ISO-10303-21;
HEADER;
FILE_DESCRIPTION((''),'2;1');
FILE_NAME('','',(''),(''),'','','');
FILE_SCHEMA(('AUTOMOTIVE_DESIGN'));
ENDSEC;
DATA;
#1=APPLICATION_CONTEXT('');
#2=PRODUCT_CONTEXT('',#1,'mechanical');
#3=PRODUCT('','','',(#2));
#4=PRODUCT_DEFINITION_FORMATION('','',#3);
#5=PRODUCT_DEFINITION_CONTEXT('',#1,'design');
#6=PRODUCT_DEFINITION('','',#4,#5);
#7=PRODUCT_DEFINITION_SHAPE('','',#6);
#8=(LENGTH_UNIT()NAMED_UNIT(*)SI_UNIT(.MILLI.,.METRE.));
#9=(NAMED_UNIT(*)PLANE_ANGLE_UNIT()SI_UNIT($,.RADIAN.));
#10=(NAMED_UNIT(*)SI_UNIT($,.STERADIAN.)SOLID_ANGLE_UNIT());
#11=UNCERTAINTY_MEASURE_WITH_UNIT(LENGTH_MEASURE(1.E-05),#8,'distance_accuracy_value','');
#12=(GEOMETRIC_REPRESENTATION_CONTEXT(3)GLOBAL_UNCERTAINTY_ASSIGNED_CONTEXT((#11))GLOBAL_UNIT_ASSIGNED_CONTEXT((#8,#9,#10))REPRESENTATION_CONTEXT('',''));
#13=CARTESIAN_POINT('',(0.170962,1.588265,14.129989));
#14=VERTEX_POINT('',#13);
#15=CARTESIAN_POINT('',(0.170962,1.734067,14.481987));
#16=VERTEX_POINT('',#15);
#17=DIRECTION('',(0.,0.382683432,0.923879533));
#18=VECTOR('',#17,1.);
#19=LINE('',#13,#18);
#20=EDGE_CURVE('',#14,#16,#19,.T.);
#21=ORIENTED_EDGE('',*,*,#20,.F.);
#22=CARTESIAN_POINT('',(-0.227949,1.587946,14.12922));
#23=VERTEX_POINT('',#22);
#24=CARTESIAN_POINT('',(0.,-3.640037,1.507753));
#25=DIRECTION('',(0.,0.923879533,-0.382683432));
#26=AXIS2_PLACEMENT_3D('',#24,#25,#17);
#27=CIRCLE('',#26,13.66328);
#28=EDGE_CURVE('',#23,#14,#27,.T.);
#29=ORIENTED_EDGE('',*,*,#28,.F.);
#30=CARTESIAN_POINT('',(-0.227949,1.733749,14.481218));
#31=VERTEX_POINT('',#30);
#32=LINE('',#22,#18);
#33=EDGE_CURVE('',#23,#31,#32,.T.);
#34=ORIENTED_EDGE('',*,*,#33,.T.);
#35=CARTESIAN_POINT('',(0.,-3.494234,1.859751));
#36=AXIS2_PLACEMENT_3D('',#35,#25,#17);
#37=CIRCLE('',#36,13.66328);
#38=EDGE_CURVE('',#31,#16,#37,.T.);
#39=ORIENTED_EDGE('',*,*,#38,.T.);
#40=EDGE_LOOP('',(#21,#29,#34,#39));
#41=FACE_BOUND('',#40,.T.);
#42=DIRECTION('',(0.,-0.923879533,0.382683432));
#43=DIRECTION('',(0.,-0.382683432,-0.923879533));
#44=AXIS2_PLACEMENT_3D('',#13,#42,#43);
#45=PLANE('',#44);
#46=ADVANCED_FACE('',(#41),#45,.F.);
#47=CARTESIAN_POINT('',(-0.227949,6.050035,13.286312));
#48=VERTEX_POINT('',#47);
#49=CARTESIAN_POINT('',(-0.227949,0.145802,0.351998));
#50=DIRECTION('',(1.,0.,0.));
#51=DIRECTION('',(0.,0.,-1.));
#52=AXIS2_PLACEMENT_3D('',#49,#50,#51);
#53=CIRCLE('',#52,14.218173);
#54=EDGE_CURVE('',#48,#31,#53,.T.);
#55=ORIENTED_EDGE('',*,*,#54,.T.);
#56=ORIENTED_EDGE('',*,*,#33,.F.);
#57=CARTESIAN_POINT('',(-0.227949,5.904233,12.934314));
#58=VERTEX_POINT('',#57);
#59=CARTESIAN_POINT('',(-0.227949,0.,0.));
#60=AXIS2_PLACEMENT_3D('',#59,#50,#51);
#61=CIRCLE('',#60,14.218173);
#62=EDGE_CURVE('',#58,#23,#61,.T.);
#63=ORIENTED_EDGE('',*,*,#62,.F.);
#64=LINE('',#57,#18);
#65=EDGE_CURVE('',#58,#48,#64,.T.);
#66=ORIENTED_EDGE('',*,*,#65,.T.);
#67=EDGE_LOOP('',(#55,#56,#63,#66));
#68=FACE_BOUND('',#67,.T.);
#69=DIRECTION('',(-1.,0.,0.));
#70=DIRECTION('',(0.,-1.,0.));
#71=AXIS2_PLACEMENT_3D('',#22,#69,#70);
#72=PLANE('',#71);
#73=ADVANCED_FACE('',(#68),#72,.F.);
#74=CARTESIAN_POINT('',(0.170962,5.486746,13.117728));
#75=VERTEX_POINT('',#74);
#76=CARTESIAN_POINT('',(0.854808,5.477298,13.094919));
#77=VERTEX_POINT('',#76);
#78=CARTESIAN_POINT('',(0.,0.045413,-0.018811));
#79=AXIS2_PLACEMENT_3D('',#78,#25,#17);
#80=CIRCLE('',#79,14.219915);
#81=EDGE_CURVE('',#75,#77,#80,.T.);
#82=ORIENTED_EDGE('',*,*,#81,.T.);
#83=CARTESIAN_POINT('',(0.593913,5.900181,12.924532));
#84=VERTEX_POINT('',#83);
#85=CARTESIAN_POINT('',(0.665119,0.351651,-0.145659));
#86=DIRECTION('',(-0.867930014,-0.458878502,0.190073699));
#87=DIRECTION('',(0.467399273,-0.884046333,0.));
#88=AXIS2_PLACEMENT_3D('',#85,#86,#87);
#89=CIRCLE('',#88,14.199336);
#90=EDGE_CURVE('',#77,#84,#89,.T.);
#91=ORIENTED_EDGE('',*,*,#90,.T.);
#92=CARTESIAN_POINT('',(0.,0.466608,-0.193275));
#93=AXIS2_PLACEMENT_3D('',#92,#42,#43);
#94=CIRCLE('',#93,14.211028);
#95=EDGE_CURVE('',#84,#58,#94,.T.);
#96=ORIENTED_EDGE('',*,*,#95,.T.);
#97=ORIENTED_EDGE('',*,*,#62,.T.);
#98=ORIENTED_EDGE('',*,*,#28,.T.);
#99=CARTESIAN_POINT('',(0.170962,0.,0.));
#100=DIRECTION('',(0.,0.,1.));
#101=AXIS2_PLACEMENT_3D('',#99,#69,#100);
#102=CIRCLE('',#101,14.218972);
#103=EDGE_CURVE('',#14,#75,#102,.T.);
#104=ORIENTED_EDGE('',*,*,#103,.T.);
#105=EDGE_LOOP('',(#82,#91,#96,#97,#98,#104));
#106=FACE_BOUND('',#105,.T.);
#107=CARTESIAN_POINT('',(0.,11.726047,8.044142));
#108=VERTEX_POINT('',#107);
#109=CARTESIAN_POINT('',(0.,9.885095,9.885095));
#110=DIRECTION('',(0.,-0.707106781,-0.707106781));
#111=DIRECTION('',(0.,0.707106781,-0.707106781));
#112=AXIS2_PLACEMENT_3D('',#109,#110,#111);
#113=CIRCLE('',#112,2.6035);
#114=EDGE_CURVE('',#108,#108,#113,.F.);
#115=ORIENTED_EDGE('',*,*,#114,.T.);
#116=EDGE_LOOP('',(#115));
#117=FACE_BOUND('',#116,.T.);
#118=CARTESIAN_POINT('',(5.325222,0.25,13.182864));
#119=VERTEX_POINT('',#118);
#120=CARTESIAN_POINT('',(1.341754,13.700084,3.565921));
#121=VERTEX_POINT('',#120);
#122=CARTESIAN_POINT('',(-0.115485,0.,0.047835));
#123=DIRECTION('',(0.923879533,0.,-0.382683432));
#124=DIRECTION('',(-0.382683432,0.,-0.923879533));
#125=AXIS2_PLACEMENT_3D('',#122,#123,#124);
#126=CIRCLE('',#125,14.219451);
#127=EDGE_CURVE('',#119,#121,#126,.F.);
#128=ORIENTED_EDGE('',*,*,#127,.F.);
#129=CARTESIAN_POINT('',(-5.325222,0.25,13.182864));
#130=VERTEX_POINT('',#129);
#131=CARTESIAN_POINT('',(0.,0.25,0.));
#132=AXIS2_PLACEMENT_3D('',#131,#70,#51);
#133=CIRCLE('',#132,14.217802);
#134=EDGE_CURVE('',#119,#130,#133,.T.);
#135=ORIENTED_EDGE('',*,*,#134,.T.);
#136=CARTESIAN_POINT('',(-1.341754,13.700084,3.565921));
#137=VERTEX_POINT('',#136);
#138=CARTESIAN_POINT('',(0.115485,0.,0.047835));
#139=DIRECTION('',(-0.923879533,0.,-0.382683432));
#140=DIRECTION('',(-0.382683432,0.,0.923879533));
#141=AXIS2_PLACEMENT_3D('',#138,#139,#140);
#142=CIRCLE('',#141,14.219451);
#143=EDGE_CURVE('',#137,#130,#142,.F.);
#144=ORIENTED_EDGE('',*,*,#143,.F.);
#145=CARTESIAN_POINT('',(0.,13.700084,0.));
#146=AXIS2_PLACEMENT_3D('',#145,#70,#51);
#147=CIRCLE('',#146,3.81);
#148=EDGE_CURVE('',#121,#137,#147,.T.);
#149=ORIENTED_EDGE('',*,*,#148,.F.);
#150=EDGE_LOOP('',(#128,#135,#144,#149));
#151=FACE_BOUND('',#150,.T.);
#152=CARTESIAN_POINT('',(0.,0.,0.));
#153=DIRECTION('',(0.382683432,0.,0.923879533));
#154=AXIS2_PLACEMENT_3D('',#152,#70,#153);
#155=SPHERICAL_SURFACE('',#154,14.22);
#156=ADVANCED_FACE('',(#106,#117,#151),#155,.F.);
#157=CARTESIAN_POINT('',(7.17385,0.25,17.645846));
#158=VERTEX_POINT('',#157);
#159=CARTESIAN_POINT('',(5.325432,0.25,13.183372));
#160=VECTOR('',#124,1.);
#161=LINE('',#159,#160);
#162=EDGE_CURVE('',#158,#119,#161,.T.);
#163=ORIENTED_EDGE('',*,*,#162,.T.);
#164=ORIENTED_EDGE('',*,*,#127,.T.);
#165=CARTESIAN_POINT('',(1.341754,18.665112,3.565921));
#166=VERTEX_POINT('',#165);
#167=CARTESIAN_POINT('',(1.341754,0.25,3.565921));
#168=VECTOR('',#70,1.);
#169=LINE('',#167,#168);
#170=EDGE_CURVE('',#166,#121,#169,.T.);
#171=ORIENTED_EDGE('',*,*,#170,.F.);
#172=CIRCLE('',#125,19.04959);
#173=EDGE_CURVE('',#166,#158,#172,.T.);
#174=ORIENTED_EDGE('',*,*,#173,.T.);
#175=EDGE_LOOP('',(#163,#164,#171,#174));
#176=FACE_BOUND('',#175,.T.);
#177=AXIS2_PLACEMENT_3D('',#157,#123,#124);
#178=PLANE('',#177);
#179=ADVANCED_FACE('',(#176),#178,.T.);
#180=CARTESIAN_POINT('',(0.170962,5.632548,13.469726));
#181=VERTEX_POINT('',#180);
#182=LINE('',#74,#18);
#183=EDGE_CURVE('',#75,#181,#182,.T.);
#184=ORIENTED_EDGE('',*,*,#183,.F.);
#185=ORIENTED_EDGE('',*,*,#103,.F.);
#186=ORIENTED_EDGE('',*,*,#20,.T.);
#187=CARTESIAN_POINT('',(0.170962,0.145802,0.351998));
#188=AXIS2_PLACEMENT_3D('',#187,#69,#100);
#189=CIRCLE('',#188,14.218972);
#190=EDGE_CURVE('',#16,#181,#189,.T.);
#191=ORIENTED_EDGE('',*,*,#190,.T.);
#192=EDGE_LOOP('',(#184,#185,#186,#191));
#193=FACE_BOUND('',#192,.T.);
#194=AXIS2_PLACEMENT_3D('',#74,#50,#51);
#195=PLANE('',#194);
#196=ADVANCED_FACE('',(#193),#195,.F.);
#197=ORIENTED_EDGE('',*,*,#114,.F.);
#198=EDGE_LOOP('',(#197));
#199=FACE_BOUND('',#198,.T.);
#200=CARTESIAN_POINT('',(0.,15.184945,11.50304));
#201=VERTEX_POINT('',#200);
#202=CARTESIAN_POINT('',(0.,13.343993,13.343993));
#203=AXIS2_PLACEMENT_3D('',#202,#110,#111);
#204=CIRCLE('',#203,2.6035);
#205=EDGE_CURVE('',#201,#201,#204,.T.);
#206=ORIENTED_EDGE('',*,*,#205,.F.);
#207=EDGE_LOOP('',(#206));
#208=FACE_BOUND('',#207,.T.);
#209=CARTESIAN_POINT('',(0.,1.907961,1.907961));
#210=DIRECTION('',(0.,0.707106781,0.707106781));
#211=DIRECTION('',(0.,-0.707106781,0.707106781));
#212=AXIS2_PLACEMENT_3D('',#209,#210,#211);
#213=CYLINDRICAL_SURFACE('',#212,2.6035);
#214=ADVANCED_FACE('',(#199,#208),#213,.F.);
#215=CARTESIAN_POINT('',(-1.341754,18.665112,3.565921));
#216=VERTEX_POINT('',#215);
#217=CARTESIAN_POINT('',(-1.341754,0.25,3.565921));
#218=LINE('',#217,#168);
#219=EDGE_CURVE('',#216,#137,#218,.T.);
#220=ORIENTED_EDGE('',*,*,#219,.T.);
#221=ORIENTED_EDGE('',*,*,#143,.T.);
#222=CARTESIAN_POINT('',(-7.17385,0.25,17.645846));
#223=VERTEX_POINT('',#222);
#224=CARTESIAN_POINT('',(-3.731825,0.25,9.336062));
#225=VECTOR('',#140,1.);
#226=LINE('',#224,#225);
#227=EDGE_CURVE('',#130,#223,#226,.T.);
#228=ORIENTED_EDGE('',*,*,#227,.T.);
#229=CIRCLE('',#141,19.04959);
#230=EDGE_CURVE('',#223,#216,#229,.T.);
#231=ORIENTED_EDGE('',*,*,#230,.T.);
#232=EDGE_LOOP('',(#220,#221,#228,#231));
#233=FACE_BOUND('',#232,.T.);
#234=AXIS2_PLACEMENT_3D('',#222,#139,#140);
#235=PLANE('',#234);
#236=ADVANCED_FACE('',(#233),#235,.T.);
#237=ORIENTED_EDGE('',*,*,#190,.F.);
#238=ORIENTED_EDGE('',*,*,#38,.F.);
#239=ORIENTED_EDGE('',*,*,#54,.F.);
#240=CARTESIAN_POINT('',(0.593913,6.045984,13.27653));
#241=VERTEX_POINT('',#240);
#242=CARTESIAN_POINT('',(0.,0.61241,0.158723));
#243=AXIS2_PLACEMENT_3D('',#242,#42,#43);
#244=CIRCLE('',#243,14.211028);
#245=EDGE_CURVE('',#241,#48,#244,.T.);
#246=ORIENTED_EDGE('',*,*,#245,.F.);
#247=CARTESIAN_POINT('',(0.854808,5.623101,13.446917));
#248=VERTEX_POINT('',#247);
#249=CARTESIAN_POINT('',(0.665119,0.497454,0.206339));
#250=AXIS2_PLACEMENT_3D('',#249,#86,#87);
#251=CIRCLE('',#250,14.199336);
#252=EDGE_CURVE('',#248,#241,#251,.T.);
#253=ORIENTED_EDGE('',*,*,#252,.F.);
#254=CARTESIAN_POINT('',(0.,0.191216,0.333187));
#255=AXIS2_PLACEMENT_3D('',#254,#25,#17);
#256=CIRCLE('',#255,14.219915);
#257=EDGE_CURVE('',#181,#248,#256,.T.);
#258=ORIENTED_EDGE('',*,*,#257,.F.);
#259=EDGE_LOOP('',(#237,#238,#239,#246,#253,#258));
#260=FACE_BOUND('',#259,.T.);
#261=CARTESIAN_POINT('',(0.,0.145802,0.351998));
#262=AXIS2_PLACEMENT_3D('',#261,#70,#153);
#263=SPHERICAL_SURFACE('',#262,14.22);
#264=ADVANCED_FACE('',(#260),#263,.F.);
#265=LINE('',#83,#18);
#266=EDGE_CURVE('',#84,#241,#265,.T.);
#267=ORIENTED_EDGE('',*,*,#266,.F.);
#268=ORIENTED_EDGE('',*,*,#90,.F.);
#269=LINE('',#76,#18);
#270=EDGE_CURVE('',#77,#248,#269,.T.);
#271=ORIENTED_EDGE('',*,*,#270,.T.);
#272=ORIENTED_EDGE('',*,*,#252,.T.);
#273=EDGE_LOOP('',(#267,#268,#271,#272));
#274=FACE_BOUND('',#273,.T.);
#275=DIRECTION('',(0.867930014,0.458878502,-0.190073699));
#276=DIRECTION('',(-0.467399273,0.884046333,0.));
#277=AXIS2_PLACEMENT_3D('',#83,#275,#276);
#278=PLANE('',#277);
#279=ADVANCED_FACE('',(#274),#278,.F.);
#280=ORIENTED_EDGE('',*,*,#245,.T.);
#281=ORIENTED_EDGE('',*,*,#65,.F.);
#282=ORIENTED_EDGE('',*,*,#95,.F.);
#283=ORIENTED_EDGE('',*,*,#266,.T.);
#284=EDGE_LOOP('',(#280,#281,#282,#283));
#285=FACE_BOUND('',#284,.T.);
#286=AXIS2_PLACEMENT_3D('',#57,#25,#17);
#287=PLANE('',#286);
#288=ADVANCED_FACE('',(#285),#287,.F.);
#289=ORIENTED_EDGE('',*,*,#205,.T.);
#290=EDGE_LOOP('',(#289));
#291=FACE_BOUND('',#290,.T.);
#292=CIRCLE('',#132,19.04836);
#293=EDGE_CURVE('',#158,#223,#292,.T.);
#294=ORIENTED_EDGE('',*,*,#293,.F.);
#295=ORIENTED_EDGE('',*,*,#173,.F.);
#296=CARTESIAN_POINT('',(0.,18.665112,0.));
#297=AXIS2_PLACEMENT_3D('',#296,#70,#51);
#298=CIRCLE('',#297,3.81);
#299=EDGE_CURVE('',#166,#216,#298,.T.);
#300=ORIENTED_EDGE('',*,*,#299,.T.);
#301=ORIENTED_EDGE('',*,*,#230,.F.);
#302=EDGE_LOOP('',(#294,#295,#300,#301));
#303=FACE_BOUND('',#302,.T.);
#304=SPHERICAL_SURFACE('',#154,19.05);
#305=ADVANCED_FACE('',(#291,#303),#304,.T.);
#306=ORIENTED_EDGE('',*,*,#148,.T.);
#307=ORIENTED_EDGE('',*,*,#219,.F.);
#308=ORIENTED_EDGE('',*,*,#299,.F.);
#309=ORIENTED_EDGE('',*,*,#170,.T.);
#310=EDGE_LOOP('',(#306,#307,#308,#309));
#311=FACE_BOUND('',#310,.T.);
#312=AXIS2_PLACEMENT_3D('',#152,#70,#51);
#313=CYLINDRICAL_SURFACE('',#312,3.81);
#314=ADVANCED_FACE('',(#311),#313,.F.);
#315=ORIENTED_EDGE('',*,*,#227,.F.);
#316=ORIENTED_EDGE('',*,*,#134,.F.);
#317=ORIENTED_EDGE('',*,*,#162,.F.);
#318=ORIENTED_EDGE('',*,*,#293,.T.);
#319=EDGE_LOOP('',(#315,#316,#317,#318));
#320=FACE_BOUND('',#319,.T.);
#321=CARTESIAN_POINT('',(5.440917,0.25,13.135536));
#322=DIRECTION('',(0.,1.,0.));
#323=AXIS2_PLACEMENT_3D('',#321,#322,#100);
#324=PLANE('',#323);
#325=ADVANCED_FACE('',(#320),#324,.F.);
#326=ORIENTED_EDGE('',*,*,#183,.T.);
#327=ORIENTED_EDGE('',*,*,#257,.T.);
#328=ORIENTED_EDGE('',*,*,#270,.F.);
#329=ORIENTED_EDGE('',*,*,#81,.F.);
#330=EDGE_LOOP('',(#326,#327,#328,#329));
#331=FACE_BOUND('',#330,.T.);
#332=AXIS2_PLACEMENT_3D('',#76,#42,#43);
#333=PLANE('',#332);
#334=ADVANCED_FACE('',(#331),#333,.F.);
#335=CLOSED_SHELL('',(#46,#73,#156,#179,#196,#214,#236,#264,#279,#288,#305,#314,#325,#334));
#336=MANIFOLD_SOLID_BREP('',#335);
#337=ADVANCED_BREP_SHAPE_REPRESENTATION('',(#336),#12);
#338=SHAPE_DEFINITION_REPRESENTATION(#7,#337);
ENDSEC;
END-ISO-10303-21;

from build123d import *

# Parameters (mm, degrees)
REVOLVE1_ANGLE            = 45
CUT_EXTRUDE1_DEPTH        = 28.647117169
CUT_EXTRUDE1_DEPTH_BACK   = 28.647117169
CUT_EXTRUDE4_REACH        = 29.998
CUT_EXTRUDE4_START_RADIUS = 14.22
CUT_EXTRUDE4_END_RADIUS   = 14.22
CUT_EXTRUDE5_DEPTH        = 26.131771039
CUT_EXTRUDE5_DEPTH_BACK   = 26.131771039
SKETCH9_R                 = 2.6035


with BuildPart() as part:
    # Sketch1 → Revolve1 (revolve, symmetric)
    with BuildSketch(Plane(origin=(0, 0, 0), x_dir=(0, 0, -1), z_dir=(1, 0, 0))) as revolve1_sk:
        with BuildLine():
            Line((-14.217802221, 0.25), (-19.048359509, 0.25))
            ThreePointArc((-19.048359509, 0.25), (-14.676690222, 12.144845166), (-3.81, 18.66511184))
            Line((-3.81, 18.66511184), (-3.81, 13.700083941))
            ThreePointArc((-3.81, 13.700083941), (-11.246181696, 8.70240181), (-14.217802221, 0.25))
        make_face()
    revolve(axis=Axis((0, 0, 0), (0, 1, 0)), revolution_arc=REVOLVE1_ANGLE / 2)
    revolve(revolve1_sk.sketch, axis=Axis((0, 0, 0), (0, -1, 0)), revolution_arc=REVOLVE1_ANGLE / 2)

    # Sketch2 → Cut-Extrude1 (cut, two sides: drawn at the far end of the back side and taken through both)
    with BuildSketch(Plane(origin=(0, 0, 0), x_dir=(1, 0, 0), z_dir=(0, 1, 0)).offset(-CUT_EXTRUDE1_DEPTH_BACK)):
        with BuildLine():
            Line((7.289491598, -17.598389479), (1.458023877, -3.519981019))
            ThreePointArc((1.458023877, -3.519981019), (1.400077392, -3.543428184), (1.341754023, -3.5659215))
            Line((1.341754023, -3.5659215), (7.173849701, -17.645845983))
            ThreePointArc((7.173849701, -17.645845983), (7.231709577, -17.622212591), (7.289491598, -17.598389479))
        make_face()
        with BuildLine():
            Line((-7.173849701, -17.645845983), (-1.341754023, -3.5659215))
            ThreePointArc((-1.341754023, -3.5659215), (-1.400077392, -3.543428184), (-1.458023877, -3.519981019))
            Line((-1.458023877, -3.519981019), (-7.289491598, -17.598389479))
            ThreePointArc((-7.289491598, -17.598389479), (-7.231709577, -17.622212591), (-7.173849701, -17.645845983))
        make_face()
    extrude(amount=CUT_EXTRUDE1_DEPTH + CUT_EXTRUDE1_DEPTH_BACK, mode=Mode.SUBTRACT)

    # Cut-Extrude4: from a sphere face, 29.998 long prism both ways, kept between that surface and its translate by the depth
    cut_extrude4_start = Location((0, 0, 0)) * Sphere(CUT_EXTRUDE4_START_RADIUS, mode=Mode.PRIVATE)
    cut_extrude4_end = Location((0, 0.145802388, 0.351998102)) * Sphere(CUT_EXTRUDE4_END_RADIUS, mode=Mode.PRIVATE)
    # Sketch8 → Cut-Extrude4 (cut, from a surface)
    with BuildSketch(Plane(origin=(0, 0, 0), x_dir=(-1, 0, 0), z_dir=(0, 0.3826834323650899, 0.9238795325112868)), mode=Mode.PRIVATE) as cut_extrude4_sk1:
        Polygon((-0.593913261, -0.505052528), (0.227948718, -0.505052528), (0.227948718, 3.939947472), (-0.170961538, 3.939947472), (-0.170961538, -0.049155093), (-0.854807692, -0.049155093), align=None)
    cut_extrude4_tool1 = extrude(cut_extrude4_sk1.sketch, amount=CUT_EXTRUDE4_REACH, both=True, mode=Mode.PRIVATE)
    add(((cut_extrude4_tool1 - cut_extrude4_start) & cut_extrude4_end).solids().sort_by_distance((0.031455, 4.048316, 13.618019))[0], mode=Mode.SUBTRACT)

    # Sketch9 → Cut-Extrude5 (cut, two sides: drawn at the far end of the back side and taken through both)
    with BuildSketch(Plane(origin=(0, 18.858537854, 18.858537854), x_dir=(1, 0, 0), z_dir=(0, 0.7071067811865478, 0.7071067811865474)).offset(-CUT_EXTRUDE5_DEPTH_BACK)):
        with Locations(Location((0, 0, 0), (0, 0, 90))):
            Circle(SKETCH9_R)
    extrude(amount=CUT_EXTRUDE5_DEPTH + CUT_EXTRUDE5_DEPTH_BACK, mode=Mode.SUBTRACT)


solid = part.part
